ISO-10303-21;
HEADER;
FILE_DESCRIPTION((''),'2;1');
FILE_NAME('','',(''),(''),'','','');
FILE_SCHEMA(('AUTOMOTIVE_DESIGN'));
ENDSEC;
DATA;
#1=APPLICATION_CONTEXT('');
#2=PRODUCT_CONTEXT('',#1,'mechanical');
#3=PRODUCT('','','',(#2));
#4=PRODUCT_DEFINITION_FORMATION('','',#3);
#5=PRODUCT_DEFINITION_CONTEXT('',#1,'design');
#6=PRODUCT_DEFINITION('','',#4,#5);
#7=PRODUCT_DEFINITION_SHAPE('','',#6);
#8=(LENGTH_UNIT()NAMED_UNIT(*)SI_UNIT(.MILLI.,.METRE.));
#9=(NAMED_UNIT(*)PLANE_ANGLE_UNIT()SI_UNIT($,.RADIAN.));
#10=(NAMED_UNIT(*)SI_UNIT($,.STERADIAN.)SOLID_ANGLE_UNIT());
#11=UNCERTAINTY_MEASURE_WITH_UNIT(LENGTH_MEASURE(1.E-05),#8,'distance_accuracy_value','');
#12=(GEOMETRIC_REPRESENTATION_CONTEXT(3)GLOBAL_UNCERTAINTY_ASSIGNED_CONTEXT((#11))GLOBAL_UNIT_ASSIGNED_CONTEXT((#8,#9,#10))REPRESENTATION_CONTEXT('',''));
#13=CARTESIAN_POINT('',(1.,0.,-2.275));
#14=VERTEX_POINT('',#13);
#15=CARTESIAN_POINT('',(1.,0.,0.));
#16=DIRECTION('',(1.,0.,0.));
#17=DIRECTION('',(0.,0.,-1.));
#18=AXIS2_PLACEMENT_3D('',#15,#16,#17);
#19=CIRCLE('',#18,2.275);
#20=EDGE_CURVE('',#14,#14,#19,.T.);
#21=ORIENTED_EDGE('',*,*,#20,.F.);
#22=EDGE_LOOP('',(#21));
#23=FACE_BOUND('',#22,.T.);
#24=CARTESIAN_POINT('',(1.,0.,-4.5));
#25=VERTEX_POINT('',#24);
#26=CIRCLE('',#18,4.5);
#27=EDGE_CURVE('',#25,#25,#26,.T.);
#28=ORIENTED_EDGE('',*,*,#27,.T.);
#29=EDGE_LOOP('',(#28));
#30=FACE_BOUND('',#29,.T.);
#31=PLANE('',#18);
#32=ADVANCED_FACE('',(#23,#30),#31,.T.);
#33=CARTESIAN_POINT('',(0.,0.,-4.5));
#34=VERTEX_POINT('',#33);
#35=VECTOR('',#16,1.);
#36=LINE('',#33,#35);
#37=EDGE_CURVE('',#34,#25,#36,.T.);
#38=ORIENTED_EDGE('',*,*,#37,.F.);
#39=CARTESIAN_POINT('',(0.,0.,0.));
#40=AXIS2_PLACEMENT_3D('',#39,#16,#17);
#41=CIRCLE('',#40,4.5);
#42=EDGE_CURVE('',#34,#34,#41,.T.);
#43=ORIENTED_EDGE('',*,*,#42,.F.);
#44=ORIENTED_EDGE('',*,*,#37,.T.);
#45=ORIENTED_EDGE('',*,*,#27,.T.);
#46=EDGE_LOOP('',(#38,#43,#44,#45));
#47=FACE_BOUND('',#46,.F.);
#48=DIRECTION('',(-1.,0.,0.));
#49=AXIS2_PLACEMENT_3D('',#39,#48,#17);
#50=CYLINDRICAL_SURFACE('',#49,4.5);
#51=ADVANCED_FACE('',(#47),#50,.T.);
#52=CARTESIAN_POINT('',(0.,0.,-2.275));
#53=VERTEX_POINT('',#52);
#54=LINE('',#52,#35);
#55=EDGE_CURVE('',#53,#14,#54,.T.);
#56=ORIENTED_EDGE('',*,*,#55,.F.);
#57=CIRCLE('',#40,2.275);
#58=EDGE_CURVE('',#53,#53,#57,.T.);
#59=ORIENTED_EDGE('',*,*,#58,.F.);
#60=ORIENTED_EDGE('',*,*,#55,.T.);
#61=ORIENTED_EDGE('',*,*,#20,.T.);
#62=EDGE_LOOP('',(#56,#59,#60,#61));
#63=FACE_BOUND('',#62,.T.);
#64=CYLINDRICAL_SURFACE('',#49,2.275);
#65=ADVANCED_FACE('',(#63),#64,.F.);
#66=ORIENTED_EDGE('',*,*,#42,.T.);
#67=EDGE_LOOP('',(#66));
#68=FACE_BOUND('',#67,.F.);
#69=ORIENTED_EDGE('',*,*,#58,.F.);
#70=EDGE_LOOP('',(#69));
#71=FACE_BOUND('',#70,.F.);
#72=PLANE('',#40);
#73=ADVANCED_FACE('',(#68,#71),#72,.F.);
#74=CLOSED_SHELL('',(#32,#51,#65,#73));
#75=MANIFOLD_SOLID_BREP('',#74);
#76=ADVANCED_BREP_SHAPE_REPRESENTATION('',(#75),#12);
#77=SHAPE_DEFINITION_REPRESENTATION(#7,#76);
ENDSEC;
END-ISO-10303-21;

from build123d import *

# Parameters (mm, degrees)
SKETCH1_R          = 4.5
SKETCH1_R_2        = 2.275
BASE_EXTRUDE_DEPTH = 1


with BuildPart() as part:
    # Sketch1 → Base-Extrude (new body)
    with BuildSketch(Plane(origin=(0, 0, 0), x_dir=(0, 0, -1), z_dir=(1, 0, 0))):
        Circle(SKETCH1_R)
        Circle(SKETCH1_R_2, mode=Mode.SUBTRACT)
    extrude(amount=BASE_EXTRUDE_DEPTH)


solid = part.part
